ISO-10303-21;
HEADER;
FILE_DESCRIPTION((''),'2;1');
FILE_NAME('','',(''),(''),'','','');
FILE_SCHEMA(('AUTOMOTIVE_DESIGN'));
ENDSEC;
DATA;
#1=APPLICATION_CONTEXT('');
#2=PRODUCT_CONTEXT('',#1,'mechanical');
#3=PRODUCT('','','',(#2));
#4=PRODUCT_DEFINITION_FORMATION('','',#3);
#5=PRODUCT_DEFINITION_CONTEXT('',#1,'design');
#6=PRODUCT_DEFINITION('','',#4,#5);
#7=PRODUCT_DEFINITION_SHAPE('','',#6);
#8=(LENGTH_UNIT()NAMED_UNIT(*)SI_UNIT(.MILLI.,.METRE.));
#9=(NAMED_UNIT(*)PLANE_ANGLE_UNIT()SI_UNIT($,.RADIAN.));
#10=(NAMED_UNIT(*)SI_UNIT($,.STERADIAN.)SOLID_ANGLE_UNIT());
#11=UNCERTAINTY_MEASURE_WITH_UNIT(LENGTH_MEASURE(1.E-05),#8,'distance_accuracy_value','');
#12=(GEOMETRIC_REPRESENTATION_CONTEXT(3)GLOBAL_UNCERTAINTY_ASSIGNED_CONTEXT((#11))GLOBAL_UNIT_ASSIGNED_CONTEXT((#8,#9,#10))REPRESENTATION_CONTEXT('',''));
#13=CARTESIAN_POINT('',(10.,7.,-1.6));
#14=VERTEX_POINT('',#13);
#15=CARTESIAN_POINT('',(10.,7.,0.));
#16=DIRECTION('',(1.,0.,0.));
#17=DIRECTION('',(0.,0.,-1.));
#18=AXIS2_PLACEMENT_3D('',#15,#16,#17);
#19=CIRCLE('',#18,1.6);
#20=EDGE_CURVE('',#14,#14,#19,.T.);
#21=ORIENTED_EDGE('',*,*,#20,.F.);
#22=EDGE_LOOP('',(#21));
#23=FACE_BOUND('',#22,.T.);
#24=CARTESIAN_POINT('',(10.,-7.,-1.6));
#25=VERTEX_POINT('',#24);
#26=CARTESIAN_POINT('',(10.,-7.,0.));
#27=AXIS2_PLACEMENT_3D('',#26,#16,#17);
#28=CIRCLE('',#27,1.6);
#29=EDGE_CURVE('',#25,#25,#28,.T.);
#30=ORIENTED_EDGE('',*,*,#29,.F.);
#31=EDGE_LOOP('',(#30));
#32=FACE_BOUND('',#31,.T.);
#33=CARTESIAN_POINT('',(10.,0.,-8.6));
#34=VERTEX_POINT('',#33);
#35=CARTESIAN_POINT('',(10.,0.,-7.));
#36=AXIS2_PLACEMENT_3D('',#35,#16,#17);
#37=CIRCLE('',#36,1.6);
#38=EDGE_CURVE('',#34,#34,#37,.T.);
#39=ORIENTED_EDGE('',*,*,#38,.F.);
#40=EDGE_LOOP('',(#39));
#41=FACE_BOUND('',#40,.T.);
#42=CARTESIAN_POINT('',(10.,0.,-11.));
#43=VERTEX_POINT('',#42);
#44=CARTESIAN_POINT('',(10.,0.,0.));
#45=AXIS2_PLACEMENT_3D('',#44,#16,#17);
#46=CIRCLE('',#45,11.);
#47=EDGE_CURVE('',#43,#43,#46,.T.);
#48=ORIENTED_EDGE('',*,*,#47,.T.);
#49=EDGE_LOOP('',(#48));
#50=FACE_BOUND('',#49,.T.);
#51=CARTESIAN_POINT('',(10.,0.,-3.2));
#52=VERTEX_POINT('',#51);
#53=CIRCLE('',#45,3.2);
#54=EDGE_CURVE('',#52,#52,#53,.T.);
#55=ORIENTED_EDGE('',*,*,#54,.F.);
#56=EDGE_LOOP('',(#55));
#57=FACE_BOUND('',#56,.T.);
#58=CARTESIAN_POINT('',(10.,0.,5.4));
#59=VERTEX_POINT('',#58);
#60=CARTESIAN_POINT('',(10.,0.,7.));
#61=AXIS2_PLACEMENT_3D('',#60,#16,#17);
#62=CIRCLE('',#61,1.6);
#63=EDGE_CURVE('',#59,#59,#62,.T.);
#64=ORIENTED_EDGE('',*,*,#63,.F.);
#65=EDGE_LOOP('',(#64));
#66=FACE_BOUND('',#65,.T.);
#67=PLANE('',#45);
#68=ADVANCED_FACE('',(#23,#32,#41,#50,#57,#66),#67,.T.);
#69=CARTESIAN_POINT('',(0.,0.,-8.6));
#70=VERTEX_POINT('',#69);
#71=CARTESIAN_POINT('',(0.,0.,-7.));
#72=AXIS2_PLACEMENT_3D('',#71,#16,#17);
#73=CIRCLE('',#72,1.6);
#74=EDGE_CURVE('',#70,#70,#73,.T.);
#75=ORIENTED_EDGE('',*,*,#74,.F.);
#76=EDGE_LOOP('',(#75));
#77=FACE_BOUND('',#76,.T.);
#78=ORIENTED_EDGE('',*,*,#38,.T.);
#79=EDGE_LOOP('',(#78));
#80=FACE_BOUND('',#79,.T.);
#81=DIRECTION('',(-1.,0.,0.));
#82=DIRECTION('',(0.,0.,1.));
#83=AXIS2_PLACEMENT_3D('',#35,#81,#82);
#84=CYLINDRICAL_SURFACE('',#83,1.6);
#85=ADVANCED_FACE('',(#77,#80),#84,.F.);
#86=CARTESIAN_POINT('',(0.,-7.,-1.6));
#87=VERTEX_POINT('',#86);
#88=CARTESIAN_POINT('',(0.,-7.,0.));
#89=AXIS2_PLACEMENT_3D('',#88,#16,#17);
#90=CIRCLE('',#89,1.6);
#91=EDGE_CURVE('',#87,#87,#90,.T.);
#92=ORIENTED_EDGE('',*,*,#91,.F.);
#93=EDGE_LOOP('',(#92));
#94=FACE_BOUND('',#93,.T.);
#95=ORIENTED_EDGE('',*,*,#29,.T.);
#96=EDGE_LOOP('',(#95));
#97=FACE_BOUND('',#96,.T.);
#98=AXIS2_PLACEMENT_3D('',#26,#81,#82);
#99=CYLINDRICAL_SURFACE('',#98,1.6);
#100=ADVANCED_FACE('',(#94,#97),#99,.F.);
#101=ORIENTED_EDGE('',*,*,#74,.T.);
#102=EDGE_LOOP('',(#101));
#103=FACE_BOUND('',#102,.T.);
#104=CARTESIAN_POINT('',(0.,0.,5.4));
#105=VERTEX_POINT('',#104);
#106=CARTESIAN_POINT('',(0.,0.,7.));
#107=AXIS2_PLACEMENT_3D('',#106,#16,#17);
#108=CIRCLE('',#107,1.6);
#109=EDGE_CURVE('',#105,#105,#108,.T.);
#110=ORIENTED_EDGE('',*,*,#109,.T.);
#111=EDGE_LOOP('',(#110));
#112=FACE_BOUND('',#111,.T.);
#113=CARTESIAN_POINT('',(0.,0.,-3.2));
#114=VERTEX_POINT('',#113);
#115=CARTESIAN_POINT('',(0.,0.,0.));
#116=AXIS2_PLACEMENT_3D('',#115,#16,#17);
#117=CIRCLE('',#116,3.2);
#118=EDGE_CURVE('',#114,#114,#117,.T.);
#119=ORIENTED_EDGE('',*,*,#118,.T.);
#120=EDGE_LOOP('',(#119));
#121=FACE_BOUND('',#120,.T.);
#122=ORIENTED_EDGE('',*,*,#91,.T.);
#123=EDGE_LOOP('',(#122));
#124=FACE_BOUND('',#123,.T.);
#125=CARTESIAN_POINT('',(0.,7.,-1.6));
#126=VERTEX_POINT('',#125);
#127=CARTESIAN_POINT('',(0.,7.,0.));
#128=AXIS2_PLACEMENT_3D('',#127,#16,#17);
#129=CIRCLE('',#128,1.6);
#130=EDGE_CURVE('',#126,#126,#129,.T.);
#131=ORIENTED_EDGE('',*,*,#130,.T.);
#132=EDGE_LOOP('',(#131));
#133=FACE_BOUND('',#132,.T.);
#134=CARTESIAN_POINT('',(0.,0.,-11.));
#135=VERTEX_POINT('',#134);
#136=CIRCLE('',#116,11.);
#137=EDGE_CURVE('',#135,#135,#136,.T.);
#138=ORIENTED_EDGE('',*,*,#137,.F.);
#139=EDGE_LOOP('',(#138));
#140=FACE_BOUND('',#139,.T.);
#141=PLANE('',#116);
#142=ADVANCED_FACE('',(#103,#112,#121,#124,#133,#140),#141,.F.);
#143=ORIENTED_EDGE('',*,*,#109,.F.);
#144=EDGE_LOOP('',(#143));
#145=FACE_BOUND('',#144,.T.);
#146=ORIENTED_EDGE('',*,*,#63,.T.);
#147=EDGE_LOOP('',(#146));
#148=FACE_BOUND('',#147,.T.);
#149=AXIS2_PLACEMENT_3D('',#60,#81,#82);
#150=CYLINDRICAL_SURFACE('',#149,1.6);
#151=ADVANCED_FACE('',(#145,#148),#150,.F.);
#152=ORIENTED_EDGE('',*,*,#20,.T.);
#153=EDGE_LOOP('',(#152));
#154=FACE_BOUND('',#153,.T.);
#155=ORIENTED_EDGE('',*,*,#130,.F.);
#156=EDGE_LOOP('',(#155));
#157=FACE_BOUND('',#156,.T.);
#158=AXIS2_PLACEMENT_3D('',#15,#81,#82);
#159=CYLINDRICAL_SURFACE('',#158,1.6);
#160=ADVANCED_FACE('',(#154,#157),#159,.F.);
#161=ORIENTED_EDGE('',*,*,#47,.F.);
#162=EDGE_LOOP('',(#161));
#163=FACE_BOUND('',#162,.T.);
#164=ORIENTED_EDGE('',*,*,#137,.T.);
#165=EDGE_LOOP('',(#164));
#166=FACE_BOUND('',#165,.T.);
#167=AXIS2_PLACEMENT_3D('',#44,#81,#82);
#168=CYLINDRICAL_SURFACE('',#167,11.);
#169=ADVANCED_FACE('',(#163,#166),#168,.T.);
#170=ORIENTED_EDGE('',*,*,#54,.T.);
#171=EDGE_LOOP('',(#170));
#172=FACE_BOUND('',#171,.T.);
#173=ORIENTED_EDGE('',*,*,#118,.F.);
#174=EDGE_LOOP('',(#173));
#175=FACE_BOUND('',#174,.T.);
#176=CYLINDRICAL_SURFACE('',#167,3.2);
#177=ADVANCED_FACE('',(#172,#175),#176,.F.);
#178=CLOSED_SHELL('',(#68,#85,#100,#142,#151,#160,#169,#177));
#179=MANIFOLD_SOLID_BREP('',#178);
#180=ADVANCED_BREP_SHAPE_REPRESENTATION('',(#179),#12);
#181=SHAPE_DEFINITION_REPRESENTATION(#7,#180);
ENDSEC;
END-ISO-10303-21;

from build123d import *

# Parameters (mm, degrees)
SKETCH1_R           = 11
SKETCH1_R_2         = 1.6
SKETCH1_R_3         = 3.2
BOSS_EXTRUDE1_DEPTH = 10


with BuildPart() as part:
    # Sketch1 → Boss-Extrude1 (new body)
    with BuildSketch(Plane(origin=(0, 0, 0), x_dir=(0, 0, -1), z_dir=(1, 0, 0))):
        Circle(SKETCH1_R)
        with Locations((0, 7)):
            Circle(SKETCH1_R_2, mode=Mode.SUBTRACT)
        with Locations((-7, 0)):
            Circle(SKETCH1_R_2, mode=Mode.SUBTRACT)
        with Locations((0, -7)):
            Circle(SKETCH1_R_2, mode=Mode.SUBTRACT)
        with Locations((7, 0)):
            Circle(SKETCH1_R_2, mode=Mode.SUBTRACT)
        Circle(SKETCH1_R_3, mode=Mode.SUBTRACT)
    extrude(amount=BOSS_EXTRUDE1_DEPTH)


solid = part.part
